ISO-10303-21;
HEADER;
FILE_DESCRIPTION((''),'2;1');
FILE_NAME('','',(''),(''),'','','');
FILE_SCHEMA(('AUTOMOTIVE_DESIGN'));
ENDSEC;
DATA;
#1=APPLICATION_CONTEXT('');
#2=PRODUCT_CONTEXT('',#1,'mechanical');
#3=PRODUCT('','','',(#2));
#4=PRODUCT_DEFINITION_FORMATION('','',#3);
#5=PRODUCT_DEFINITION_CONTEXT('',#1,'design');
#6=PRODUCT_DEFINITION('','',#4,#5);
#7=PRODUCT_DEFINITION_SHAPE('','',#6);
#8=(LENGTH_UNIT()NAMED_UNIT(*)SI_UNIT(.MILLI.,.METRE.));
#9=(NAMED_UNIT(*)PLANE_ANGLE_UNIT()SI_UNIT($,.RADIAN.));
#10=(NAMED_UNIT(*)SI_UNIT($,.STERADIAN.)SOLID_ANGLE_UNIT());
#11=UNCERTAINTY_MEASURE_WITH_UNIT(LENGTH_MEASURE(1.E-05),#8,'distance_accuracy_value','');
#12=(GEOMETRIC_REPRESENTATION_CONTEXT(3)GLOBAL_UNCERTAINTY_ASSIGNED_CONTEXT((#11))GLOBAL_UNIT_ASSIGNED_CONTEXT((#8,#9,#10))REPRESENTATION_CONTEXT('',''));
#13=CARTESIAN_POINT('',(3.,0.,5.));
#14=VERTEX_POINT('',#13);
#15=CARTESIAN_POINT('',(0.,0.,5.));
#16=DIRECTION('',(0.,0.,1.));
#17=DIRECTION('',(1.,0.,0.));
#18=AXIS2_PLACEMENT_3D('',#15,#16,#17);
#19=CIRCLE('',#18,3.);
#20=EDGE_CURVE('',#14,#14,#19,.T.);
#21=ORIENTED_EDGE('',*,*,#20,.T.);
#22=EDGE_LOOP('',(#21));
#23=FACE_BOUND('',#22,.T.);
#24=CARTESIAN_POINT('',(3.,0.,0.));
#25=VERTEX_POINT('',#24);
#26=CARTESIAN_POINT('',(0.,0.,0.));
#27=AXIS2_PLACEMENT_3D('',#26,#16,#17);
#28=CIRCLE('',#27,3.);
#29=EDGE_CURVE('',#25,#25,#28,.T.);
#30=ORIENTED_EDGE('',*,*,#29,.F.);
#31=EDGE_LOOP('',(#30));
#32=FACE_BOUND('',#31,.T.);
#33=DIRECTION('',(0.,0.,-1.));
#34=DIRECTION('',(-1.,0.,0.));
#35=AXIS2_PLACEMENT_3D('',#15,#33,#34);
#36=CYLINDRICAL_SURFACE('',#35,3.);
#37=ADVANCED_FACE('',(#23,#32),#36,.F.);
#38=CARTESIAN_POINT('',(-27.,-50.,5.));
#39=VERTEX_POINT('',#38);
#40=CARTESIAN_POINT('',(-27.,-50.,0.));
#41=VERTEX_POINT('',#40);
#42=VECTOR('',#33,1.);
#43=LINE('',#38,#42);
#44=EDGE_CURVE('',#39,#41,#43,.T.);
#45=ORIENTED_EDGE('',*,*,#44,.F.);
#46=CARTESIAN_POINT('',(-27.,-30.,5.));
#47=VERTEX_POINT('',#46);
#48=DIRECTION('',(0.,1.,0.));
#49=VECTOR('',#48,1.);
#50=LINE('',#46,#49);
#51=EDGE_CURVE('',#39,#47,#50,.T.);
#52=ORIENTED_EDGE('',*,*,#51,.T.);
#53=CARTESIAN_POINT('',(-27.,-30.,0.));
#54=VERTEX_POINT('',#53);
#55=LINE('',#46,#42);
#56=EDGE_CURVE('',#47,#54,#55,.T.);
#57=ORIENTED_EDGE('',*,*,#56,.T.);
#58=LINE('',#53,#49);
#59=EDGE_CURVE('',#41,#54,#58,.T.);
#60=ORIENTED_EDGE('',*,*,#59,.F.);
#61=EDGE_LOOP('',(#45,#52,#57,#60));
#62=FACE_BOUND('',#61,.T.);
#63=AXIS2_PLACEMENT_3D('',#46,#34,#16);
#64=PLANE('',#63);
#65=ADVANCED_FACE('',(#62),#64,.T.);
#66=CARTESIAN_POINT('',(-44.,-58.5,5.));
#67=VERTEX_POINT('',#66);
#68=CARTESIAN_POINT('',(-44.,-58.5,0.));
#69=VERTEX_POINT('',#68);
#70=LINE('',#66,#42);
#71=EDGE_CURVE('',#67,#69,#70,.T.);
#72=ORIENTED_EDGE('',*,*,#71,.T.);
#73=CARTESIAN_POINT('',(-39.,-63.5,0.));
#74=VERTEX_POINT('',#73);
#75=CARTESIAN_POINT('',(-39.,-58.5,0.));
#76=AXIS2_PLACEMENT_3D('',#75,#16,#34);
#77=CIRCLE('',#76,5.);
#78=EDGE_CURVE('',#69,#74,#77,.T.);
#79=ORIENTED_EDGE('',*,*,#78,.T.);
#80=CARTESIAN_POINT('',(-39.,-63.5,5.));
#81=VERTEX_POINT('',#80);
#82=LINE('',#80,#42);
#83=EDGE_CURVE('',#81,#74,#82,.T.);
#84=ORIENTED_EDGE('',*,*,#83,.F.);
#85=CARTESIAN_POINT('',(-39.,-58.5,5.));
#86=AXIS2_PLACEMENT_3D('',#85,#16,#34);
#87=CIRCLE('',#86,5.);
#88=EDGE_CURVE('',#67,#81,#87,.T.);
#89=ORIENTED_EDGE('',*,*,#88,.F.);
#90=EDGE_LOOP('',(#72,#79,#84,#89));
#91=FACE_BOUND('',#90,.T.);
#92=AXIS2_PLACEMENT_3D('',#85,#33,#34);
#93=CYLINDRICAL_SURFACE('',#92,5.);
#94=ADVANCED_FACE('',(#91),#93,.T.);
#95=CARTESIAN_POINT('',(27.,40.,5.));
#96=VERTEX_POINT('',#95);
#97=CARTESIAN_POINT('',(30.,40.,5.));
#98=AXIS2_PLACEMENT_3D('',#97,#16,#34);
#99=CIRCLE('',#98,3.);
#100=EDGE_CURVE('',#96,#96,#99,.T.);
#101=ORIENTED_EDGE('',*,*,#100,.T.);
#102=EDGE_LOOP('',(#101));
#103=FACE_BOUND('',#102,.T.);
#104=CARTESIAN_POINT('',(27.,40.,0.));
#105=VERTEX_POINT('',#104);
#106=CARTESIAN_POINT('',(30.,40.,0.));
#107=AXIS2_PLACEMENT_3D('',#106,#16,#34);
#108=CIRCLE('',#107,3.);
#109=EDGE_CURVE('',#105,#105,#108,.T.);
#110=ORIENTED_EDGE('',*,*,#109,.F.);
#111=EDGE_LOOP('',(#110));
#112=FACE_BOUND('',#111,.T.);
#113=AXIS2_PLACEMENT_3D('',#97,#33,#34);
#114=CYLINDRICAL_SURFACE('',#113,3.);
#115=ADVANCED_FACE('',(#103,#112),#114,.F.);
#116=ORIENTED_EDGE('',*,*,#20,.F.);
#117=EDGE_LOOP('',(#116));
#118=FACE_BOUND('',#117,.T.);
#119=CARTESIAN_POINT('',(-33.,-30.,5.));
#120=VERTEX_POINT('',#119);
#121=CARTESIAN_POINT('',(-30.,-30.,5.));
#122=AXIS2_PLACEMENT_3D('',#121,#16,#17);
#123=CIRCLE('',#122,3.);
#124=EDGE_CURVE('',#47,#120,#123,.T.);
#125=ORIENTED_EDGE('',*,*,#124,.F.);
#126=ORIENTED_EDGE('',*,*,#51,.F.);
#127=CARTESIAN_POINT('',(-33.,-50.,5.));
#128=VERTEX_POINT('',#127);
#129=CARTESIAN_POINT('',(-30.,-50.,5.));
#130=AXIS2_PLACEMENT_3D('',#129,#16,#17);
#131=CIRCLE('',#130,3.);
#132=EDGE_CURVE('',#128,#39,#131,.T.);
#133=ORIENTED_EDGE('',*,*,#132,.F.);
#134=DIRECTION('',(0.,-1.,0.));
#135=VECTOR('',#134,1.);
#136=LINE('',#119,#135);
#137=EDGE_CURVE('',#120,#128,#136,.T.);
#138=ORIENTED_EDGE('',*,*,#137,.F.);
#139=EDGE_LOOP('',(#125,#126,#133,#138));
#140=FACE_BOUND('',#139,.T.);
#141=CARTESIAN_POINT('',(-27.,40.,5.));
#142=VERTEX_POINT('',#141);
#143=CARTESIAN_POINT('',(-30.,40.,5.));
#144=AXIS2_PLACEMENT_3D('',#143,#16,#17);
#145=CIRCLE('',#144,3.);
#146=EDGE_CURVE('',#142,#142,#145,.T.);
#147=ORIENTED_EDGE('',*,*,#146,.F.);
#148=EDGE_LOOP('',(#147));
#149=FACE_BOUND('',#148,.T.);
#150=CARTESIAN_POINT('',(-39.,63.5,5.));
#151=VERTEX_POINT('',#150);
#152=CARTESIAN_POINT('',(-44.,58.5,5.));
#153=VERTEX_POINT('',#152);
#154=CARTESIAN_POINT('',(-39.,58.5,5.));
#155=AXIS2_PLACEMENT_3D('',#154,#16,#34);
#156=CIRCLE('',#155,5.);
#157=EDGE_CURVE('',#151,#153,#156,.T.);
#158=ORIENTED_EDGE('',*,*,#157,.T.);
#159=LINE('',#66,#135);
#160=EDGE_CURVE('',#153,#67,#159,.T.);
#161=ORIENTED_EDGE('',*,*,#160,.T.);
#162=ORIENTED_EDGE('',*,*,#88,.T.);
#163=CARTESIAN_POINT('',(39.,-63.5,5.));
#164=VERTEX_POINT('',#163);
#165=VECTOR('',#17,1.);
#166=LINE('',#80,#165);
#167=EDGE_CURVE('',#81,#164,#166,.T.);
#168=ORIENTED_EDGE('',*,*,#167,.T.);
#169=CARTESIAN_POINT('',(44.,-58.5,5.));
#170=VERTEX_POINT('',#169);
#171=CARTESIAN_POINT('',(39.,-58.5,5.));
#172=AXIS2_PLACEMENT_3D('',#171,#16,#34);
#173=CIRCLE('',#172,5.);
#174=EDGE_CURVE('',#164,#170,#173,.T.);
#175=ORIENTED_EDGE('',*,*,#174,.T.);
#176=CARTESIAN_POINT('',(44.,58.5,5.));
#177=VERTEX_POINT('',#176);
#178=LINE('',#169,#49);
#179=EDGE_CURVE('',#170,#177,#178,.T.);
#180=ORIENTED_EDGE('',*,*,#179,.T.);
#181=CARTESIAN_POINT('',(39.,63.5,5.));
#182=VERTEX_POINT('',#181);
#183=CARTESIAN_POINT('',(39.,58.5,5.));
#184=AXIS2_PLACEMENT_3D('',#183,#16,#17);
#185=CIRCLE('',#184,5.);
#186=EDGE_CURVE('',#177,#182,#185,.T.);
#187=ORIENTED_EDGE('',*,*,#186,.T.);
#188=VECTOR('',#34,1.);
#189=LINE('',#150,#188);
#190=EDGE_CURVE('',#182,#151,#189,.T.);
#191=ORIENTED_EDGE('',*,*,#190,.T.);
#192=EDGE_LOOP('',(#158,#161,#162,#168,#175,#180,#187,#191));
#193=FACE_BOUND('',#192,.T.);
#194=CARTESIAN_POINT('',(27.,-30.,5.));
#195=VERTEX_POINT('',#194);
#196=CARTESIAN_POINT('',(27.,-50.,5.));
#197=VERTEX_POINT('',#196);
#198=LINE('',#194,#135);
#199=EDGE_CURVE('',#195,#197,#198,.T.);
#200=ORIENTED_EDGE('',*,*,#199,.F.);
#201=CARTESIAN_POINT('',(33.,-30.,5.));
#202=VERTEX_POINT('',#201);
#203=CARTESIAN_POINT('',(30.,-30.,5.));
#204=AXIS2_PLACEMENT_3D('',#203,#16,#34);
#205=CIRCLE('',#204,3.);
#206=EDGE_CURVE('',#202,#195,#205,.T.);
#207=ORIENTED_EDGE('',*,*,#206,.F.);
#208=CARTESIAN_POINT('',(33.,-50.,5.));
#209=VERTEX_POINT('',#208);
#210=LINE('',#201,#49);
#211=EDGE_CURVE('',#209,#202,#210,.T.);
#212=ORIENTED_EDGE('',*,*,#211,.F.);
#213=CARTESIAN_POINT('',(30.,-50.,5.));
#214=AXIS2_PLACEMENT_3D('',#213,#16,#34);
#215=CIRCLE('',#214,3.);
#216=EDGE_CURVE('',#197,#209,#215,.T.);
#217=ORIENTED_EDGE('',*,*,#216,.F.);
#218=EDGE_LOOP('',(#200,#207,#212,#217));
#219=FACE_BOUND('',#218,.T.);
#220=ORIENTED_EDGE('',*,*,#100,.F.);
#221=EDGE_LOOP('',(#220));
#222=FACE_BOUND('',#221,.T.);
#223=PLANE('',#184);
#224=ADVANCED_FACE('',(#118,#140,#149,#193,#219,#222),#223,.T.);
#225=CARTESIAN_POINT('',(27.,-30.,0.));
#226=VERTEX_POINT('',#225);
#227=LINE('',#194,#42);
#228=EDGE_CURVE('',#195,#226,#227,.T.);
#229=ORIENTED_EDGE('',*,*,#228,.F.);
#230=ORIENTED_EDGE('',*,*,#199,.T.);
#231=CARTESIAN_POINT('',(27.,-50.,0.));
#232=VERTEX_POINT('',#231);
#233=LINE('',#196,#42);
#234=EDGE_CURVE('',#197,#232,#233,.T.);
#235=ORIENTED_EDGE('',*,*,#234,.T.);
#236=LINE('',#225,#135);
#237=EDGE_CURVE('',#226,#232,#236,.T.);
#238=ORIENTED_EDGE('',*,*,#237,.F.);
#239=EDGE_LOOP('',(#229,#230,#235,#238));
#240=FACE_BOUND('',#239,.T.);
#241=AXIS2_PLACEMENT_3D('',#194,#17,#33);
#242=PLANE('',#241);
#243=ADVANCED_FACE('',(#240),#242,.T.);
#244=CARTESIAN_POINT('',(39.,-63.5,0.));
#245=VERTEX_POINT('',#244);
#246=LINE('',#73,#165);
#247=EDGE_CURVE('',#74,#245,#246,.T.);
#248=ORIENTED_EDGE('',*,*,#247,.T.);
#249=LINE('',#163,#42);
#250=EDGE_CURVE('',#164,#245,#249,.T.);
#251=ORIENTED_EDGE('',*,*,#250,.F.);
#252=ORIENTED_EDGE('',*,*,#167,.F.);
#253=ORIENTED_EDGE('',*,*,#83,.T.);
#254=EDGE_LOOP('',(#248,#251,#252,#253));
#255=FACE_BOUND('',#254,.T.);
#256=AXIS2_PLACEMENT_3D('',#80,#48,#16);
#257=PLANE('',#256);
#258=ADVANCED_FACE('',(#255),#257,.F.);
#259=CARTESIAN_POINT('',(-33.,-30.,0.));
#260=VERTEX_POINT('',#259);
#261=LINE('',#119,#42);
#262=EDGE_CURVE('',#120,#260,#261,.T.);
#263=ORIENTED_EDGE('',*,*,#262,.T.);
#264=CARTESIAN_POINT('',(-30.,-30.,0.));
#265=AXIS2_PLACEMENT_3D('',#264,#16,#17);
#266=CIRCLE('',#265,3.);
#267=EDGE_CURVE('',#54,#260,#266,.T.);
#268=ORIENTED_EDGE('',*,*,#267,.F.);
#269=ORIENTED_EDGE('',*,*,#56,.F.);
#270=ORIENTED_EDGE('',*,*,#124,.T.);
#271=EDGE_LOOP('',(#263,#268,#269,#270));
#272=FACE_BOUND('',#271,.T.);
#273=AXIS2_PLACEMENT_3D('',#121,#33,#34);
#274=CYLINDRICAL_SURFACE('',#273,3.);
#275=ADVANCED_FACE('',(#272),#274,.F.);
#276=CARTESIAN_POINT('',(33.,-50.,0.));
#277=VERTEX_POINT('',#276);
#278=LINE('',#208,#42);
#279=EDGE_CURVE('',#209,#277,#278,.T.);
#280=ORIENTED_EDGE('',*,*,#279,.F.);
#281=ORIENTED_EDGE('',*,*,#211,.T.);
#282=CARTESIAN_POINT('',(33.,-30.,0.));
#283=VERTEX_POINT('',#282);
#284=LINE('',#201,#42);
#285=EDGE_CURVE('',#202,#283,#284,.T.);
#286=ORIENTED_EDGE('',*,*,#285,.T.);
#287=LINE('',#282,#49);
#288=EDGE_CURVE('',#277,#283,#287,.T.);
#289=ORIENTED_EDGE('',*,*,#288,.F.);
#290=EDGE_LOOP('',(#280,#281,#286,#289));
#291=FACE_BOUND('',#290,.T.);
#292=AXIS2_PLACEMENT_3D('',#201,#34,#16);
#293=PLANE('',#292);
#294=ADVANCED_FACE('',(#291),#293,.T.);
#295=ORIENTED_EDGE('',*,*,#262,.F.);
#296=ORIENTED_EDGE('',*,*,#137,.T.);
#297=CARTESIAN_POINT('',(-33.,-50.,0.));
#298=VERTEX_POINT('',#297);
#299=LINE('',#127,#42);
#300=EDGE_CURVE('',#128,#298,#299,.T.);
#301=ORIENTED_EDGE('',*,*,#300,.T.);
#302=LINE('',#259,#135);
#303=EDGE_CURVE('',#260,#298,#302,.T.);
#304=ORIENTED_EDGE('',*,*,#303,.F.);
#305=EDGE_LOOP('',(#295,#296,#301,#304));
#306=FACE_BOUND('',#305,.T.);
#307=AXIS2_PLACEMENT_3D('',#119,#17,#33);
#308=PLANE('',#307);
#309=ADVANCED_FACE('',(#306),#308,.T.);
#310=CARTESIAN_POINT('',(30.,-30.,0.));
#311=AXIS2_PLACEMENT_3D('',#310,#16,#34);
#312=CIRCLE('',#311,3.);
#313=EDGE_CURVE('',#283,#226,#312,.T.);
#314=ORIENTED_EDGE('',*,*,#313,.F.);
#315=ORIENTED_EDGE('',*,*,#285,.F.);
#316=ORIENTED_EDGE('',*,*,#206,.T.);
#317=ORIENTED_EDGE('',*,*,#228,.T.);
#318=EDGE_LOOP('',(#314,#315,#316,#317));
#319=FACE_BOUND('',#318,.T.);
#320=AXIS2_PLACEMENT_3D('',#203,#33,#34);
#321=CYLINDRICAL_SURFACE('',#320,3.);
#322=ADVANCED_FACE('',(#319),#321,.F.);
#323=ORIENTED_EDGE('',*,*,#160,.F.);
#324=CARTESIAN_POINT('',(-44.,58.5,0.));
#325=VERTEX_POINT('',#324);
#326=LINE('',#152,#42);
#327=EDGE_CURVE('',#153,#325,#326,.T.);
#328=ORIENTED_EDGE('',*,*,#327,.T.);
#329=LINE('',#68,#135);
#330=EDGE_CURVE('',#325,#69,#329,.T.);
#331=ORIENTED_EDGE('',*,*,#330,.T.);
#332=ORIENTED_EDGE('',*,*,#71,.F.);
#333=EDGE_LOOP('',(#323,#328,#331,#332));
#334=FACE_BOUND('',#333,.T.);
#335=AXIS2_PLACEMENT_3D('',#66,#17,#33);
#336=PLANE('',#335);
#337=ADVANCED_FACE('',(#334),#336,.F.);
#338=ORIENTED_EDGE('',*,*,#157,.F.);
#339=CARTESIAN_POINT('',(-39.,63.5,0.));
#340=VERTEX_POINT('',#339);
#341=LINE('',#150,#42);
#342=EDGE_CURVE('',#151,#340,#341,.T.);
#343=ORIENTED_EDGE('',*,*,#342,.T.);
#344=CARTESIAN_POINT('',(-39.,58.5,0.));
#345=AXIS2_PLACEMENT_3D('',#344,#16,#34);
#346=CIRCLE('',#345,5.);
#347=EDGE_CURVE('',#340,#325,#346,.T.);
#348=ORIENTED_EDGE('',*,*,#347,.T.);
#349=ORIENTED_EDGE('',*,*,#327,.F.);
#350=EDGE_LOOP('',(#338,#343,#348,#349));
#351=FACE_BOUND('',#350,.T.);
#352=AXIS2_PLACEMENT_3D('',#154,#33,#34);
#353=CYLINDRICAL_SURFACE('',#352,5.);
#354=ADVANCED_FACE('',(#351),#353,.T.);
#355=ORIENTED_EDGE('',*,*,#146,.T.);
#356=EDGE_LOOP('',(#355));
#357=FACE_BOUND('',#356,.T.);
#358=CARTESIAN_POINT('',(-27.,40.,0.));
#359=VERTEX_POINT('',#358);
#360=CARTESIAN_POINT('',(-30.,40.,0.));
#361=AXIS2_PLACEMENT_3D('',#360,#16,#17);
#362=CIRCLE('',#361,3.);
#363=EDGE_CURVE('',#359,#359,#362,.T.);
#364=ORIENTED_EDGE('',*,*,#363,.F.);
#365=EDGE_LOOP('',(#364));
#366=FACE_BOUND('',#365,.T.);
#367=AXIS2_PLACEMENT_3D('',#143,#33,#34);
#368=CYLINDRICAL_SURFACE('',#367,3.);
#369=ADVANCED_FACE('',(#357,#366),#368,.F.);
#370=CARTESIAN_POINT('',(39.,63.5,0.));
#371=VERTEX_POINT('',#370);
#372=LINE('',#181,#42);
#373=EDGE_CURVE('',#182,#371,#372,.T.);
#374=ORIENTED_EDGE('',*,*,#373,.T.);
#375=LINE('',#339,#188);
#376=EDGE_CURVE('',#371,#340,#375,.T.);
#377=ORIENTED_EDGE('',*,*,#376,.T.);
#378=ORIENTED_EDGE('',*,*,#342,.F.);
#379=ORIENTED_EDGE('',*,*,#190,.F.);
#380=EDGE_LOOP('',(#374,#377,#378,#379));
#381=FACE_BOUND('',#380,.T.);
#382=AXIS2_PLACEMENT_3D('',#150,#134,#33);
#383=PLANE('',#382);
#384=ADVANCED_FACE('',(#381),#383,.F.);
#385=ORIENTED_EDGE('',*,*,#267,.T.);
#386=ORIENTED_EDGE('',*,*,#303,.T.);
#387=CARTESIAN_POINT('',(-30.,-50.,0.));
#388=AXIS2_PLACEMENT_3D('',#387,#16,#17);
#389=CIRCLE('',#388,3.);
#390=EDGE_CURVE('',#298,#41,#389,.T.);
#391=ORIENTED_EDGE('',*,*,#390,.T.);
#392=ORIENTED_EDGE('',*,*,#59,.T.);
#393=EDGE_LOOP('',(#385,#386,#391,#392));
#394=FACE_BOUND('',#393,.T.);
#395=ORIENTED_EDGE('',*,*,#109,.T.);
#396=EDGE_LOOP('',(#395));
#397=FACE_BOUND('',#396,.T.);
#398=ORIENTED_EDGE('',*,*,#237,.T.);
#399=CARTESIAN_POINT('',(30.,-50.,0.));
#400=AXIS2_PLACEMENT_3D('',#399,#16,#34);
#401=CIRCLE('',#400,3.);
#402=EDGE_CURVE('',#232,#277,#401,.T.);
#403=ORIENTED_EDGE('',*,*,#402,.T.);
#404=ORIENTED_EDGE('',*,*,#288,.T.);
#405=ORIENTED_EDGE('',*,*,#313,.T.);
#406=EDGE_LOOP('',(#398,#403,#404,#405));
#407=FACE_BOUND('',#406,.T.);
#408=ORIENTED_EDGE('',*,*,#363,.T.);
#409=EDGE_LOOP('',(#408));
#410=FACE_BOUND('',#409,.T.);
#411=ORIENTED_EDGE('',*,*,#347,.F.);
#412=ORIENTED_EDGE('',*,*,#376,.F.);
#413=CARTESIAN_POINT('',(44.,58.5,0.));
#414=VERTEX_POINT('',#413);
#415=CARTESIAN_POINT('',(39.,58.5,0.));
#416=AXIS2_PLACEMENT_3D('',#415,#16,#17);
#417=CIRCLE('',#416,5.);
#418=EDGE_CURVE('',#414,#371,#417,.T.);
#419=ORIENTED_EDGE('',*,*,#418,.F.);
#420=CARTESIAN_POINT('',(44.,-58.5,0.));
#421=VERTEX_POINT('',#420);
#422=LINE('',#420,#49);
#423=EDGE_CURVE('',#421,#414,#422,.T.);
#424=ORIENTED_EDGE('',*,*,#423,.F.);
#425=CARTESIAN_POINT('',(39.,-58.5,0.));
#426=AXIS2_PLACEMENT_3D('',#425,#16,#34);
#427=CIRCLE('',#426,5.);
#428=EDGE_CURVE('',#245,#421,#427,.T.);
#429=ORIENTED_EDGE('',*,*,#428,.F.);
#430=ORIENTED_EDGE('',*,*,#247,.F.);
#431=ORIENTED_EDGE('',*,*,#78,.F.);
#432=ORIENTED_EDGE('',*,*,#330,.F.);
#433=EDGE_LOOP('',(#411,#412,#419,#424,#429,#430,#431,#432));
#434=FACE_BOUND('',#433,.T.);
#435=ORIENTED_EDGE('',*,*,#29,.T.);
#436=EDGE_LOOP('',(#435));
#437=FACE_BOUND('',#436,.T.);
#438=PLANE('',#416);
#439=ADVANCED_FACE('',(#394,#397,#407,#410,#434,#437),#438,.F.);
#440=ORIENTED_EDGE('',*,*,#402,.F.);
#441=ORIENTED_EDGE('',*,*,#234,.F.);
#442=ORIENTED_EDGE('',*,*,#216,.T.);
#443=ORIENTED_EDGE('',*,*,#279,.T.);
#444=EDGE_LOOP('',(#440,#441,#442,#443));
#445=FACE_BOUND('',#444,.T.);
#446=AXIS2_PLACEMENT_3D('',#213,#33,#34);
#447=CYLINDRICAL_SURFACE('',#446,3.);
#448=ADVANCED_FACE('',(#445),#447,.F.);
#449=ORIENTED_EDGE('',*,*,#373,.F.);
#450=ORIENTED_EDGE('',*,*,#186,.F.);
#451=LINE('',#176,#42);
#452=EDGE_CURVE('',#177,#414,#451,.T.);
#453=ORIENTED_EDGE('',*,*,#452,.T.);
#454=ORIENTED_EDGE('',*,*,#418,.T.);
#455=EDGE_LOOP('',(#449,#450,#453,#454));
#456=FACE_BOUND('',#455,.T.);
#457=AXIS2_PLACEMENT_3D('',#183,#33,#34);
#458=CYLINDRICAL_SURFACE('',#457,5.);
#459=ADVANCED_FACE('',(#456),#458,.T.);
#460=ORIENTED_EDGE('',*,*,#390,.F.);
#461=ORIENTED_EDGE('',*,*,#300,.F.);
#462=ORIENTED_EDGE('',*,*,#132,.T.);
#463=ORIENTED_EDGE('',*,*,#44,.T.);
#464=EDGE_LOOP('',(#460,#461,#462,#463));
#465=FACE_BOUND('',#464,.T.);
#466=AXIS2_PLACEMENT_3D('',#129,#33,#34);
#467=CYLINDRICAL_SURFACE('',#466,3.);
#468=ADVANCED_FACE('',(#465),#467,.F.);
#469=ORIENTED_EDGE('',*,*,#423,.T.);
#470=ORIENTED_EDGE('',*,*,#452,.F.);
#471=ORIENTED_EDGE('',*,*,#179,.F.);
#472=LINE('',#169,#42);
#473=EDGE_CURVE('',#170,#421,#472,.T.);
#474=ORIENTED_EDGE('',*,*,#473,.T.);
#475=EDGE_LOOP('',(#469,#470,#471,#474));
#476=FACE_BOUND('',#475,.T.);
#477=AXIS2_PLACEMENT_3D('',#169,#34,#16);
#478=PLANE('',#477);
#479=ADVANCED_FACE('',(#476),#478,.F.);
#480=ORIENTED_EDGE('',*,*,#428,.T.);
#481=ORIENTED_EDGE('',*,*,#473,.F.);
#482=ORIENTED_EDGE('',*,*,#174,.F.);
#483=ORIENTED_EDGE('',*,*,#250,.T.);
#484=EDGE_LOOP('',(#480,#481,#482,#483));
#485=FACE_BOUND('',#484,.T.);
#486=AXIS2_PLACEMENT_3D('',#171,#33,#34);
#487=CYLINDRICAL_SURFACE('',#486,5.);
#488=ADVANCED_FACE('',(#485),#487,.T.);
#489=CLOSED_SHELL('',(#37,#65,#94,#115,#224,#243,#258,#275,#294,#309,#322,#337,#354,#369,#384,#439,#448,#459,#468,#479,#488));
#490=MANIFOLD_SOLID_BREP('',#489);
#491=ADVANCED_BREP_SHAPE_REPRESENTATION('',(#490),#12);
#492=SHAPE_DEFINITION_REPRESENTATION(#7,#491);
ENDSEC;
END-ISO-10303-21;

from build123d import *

# Parameters (mm, degrees)
SKETCH1_R           = 3
BOSS_EXTRUDE1_DEPTH = 5


with BuildPart() as part:
    # Sketch1 → Boss-Extrude1 (new body)
    with BuildSketch(Plane.XY):
        with BuildLine():
            Line((-39, -63.5), (39, -63.5))
            ThreePointArc((39, -63.5), (42.535533906, -62.035533906), (44, -58.5))
            Line((44, -58.5), (44, 58.5))
            ThreePointArc((44, 58.5), (42.535533906, 62.035533906), (39, 63.5))
            Line((39, 63.5), (-39, 63.5))
            ThreePointArc((-39, 63.5), (-42.535533906, 62.035533906), (-44, 58.5))
            Line((-44, 58.5), (-44, -58.5))
            ThreePointArc((-44, -58.5), (-42.535533906, -62.035533906), (-39, -63.5))
        make_face()
        with Locations((-30, 40)):
            Circle(SKETCH1_R, mode=Mode.SUBTRACT)
        with Locations((30, 40)):
            Circle(SKETCH1_R, mode=Mode.SUBTRACT)
        Circle(SKETCH1_R, mode=Mode.SUBTRACT)
        with BuildLine():
            Line((27, -30), (27, -50))
            ThreePointArc((27, -50), (30, -53), (33, -50))
            Line((33, -50), (33, -30))
            ThreePointArc((33, -30), (30, -27), (27, -30))
        make_face(mode=Mode.SUBTRACT)
        with BuildLine():
            Line((-33, -30), (-33, -50))
            ThreePointArc((-33, -50), (-30, -53), (-27, -50))
            Line((-27, -50), (-27, -30))
            ThreePointArc((-27, -30), (-30, -27), (-33, -30))
        make_face(mode=Mode.SUBTRACT)
    extrude(amount=BOSS_EXTRUDE1_DEPTH)


solid = part.part
